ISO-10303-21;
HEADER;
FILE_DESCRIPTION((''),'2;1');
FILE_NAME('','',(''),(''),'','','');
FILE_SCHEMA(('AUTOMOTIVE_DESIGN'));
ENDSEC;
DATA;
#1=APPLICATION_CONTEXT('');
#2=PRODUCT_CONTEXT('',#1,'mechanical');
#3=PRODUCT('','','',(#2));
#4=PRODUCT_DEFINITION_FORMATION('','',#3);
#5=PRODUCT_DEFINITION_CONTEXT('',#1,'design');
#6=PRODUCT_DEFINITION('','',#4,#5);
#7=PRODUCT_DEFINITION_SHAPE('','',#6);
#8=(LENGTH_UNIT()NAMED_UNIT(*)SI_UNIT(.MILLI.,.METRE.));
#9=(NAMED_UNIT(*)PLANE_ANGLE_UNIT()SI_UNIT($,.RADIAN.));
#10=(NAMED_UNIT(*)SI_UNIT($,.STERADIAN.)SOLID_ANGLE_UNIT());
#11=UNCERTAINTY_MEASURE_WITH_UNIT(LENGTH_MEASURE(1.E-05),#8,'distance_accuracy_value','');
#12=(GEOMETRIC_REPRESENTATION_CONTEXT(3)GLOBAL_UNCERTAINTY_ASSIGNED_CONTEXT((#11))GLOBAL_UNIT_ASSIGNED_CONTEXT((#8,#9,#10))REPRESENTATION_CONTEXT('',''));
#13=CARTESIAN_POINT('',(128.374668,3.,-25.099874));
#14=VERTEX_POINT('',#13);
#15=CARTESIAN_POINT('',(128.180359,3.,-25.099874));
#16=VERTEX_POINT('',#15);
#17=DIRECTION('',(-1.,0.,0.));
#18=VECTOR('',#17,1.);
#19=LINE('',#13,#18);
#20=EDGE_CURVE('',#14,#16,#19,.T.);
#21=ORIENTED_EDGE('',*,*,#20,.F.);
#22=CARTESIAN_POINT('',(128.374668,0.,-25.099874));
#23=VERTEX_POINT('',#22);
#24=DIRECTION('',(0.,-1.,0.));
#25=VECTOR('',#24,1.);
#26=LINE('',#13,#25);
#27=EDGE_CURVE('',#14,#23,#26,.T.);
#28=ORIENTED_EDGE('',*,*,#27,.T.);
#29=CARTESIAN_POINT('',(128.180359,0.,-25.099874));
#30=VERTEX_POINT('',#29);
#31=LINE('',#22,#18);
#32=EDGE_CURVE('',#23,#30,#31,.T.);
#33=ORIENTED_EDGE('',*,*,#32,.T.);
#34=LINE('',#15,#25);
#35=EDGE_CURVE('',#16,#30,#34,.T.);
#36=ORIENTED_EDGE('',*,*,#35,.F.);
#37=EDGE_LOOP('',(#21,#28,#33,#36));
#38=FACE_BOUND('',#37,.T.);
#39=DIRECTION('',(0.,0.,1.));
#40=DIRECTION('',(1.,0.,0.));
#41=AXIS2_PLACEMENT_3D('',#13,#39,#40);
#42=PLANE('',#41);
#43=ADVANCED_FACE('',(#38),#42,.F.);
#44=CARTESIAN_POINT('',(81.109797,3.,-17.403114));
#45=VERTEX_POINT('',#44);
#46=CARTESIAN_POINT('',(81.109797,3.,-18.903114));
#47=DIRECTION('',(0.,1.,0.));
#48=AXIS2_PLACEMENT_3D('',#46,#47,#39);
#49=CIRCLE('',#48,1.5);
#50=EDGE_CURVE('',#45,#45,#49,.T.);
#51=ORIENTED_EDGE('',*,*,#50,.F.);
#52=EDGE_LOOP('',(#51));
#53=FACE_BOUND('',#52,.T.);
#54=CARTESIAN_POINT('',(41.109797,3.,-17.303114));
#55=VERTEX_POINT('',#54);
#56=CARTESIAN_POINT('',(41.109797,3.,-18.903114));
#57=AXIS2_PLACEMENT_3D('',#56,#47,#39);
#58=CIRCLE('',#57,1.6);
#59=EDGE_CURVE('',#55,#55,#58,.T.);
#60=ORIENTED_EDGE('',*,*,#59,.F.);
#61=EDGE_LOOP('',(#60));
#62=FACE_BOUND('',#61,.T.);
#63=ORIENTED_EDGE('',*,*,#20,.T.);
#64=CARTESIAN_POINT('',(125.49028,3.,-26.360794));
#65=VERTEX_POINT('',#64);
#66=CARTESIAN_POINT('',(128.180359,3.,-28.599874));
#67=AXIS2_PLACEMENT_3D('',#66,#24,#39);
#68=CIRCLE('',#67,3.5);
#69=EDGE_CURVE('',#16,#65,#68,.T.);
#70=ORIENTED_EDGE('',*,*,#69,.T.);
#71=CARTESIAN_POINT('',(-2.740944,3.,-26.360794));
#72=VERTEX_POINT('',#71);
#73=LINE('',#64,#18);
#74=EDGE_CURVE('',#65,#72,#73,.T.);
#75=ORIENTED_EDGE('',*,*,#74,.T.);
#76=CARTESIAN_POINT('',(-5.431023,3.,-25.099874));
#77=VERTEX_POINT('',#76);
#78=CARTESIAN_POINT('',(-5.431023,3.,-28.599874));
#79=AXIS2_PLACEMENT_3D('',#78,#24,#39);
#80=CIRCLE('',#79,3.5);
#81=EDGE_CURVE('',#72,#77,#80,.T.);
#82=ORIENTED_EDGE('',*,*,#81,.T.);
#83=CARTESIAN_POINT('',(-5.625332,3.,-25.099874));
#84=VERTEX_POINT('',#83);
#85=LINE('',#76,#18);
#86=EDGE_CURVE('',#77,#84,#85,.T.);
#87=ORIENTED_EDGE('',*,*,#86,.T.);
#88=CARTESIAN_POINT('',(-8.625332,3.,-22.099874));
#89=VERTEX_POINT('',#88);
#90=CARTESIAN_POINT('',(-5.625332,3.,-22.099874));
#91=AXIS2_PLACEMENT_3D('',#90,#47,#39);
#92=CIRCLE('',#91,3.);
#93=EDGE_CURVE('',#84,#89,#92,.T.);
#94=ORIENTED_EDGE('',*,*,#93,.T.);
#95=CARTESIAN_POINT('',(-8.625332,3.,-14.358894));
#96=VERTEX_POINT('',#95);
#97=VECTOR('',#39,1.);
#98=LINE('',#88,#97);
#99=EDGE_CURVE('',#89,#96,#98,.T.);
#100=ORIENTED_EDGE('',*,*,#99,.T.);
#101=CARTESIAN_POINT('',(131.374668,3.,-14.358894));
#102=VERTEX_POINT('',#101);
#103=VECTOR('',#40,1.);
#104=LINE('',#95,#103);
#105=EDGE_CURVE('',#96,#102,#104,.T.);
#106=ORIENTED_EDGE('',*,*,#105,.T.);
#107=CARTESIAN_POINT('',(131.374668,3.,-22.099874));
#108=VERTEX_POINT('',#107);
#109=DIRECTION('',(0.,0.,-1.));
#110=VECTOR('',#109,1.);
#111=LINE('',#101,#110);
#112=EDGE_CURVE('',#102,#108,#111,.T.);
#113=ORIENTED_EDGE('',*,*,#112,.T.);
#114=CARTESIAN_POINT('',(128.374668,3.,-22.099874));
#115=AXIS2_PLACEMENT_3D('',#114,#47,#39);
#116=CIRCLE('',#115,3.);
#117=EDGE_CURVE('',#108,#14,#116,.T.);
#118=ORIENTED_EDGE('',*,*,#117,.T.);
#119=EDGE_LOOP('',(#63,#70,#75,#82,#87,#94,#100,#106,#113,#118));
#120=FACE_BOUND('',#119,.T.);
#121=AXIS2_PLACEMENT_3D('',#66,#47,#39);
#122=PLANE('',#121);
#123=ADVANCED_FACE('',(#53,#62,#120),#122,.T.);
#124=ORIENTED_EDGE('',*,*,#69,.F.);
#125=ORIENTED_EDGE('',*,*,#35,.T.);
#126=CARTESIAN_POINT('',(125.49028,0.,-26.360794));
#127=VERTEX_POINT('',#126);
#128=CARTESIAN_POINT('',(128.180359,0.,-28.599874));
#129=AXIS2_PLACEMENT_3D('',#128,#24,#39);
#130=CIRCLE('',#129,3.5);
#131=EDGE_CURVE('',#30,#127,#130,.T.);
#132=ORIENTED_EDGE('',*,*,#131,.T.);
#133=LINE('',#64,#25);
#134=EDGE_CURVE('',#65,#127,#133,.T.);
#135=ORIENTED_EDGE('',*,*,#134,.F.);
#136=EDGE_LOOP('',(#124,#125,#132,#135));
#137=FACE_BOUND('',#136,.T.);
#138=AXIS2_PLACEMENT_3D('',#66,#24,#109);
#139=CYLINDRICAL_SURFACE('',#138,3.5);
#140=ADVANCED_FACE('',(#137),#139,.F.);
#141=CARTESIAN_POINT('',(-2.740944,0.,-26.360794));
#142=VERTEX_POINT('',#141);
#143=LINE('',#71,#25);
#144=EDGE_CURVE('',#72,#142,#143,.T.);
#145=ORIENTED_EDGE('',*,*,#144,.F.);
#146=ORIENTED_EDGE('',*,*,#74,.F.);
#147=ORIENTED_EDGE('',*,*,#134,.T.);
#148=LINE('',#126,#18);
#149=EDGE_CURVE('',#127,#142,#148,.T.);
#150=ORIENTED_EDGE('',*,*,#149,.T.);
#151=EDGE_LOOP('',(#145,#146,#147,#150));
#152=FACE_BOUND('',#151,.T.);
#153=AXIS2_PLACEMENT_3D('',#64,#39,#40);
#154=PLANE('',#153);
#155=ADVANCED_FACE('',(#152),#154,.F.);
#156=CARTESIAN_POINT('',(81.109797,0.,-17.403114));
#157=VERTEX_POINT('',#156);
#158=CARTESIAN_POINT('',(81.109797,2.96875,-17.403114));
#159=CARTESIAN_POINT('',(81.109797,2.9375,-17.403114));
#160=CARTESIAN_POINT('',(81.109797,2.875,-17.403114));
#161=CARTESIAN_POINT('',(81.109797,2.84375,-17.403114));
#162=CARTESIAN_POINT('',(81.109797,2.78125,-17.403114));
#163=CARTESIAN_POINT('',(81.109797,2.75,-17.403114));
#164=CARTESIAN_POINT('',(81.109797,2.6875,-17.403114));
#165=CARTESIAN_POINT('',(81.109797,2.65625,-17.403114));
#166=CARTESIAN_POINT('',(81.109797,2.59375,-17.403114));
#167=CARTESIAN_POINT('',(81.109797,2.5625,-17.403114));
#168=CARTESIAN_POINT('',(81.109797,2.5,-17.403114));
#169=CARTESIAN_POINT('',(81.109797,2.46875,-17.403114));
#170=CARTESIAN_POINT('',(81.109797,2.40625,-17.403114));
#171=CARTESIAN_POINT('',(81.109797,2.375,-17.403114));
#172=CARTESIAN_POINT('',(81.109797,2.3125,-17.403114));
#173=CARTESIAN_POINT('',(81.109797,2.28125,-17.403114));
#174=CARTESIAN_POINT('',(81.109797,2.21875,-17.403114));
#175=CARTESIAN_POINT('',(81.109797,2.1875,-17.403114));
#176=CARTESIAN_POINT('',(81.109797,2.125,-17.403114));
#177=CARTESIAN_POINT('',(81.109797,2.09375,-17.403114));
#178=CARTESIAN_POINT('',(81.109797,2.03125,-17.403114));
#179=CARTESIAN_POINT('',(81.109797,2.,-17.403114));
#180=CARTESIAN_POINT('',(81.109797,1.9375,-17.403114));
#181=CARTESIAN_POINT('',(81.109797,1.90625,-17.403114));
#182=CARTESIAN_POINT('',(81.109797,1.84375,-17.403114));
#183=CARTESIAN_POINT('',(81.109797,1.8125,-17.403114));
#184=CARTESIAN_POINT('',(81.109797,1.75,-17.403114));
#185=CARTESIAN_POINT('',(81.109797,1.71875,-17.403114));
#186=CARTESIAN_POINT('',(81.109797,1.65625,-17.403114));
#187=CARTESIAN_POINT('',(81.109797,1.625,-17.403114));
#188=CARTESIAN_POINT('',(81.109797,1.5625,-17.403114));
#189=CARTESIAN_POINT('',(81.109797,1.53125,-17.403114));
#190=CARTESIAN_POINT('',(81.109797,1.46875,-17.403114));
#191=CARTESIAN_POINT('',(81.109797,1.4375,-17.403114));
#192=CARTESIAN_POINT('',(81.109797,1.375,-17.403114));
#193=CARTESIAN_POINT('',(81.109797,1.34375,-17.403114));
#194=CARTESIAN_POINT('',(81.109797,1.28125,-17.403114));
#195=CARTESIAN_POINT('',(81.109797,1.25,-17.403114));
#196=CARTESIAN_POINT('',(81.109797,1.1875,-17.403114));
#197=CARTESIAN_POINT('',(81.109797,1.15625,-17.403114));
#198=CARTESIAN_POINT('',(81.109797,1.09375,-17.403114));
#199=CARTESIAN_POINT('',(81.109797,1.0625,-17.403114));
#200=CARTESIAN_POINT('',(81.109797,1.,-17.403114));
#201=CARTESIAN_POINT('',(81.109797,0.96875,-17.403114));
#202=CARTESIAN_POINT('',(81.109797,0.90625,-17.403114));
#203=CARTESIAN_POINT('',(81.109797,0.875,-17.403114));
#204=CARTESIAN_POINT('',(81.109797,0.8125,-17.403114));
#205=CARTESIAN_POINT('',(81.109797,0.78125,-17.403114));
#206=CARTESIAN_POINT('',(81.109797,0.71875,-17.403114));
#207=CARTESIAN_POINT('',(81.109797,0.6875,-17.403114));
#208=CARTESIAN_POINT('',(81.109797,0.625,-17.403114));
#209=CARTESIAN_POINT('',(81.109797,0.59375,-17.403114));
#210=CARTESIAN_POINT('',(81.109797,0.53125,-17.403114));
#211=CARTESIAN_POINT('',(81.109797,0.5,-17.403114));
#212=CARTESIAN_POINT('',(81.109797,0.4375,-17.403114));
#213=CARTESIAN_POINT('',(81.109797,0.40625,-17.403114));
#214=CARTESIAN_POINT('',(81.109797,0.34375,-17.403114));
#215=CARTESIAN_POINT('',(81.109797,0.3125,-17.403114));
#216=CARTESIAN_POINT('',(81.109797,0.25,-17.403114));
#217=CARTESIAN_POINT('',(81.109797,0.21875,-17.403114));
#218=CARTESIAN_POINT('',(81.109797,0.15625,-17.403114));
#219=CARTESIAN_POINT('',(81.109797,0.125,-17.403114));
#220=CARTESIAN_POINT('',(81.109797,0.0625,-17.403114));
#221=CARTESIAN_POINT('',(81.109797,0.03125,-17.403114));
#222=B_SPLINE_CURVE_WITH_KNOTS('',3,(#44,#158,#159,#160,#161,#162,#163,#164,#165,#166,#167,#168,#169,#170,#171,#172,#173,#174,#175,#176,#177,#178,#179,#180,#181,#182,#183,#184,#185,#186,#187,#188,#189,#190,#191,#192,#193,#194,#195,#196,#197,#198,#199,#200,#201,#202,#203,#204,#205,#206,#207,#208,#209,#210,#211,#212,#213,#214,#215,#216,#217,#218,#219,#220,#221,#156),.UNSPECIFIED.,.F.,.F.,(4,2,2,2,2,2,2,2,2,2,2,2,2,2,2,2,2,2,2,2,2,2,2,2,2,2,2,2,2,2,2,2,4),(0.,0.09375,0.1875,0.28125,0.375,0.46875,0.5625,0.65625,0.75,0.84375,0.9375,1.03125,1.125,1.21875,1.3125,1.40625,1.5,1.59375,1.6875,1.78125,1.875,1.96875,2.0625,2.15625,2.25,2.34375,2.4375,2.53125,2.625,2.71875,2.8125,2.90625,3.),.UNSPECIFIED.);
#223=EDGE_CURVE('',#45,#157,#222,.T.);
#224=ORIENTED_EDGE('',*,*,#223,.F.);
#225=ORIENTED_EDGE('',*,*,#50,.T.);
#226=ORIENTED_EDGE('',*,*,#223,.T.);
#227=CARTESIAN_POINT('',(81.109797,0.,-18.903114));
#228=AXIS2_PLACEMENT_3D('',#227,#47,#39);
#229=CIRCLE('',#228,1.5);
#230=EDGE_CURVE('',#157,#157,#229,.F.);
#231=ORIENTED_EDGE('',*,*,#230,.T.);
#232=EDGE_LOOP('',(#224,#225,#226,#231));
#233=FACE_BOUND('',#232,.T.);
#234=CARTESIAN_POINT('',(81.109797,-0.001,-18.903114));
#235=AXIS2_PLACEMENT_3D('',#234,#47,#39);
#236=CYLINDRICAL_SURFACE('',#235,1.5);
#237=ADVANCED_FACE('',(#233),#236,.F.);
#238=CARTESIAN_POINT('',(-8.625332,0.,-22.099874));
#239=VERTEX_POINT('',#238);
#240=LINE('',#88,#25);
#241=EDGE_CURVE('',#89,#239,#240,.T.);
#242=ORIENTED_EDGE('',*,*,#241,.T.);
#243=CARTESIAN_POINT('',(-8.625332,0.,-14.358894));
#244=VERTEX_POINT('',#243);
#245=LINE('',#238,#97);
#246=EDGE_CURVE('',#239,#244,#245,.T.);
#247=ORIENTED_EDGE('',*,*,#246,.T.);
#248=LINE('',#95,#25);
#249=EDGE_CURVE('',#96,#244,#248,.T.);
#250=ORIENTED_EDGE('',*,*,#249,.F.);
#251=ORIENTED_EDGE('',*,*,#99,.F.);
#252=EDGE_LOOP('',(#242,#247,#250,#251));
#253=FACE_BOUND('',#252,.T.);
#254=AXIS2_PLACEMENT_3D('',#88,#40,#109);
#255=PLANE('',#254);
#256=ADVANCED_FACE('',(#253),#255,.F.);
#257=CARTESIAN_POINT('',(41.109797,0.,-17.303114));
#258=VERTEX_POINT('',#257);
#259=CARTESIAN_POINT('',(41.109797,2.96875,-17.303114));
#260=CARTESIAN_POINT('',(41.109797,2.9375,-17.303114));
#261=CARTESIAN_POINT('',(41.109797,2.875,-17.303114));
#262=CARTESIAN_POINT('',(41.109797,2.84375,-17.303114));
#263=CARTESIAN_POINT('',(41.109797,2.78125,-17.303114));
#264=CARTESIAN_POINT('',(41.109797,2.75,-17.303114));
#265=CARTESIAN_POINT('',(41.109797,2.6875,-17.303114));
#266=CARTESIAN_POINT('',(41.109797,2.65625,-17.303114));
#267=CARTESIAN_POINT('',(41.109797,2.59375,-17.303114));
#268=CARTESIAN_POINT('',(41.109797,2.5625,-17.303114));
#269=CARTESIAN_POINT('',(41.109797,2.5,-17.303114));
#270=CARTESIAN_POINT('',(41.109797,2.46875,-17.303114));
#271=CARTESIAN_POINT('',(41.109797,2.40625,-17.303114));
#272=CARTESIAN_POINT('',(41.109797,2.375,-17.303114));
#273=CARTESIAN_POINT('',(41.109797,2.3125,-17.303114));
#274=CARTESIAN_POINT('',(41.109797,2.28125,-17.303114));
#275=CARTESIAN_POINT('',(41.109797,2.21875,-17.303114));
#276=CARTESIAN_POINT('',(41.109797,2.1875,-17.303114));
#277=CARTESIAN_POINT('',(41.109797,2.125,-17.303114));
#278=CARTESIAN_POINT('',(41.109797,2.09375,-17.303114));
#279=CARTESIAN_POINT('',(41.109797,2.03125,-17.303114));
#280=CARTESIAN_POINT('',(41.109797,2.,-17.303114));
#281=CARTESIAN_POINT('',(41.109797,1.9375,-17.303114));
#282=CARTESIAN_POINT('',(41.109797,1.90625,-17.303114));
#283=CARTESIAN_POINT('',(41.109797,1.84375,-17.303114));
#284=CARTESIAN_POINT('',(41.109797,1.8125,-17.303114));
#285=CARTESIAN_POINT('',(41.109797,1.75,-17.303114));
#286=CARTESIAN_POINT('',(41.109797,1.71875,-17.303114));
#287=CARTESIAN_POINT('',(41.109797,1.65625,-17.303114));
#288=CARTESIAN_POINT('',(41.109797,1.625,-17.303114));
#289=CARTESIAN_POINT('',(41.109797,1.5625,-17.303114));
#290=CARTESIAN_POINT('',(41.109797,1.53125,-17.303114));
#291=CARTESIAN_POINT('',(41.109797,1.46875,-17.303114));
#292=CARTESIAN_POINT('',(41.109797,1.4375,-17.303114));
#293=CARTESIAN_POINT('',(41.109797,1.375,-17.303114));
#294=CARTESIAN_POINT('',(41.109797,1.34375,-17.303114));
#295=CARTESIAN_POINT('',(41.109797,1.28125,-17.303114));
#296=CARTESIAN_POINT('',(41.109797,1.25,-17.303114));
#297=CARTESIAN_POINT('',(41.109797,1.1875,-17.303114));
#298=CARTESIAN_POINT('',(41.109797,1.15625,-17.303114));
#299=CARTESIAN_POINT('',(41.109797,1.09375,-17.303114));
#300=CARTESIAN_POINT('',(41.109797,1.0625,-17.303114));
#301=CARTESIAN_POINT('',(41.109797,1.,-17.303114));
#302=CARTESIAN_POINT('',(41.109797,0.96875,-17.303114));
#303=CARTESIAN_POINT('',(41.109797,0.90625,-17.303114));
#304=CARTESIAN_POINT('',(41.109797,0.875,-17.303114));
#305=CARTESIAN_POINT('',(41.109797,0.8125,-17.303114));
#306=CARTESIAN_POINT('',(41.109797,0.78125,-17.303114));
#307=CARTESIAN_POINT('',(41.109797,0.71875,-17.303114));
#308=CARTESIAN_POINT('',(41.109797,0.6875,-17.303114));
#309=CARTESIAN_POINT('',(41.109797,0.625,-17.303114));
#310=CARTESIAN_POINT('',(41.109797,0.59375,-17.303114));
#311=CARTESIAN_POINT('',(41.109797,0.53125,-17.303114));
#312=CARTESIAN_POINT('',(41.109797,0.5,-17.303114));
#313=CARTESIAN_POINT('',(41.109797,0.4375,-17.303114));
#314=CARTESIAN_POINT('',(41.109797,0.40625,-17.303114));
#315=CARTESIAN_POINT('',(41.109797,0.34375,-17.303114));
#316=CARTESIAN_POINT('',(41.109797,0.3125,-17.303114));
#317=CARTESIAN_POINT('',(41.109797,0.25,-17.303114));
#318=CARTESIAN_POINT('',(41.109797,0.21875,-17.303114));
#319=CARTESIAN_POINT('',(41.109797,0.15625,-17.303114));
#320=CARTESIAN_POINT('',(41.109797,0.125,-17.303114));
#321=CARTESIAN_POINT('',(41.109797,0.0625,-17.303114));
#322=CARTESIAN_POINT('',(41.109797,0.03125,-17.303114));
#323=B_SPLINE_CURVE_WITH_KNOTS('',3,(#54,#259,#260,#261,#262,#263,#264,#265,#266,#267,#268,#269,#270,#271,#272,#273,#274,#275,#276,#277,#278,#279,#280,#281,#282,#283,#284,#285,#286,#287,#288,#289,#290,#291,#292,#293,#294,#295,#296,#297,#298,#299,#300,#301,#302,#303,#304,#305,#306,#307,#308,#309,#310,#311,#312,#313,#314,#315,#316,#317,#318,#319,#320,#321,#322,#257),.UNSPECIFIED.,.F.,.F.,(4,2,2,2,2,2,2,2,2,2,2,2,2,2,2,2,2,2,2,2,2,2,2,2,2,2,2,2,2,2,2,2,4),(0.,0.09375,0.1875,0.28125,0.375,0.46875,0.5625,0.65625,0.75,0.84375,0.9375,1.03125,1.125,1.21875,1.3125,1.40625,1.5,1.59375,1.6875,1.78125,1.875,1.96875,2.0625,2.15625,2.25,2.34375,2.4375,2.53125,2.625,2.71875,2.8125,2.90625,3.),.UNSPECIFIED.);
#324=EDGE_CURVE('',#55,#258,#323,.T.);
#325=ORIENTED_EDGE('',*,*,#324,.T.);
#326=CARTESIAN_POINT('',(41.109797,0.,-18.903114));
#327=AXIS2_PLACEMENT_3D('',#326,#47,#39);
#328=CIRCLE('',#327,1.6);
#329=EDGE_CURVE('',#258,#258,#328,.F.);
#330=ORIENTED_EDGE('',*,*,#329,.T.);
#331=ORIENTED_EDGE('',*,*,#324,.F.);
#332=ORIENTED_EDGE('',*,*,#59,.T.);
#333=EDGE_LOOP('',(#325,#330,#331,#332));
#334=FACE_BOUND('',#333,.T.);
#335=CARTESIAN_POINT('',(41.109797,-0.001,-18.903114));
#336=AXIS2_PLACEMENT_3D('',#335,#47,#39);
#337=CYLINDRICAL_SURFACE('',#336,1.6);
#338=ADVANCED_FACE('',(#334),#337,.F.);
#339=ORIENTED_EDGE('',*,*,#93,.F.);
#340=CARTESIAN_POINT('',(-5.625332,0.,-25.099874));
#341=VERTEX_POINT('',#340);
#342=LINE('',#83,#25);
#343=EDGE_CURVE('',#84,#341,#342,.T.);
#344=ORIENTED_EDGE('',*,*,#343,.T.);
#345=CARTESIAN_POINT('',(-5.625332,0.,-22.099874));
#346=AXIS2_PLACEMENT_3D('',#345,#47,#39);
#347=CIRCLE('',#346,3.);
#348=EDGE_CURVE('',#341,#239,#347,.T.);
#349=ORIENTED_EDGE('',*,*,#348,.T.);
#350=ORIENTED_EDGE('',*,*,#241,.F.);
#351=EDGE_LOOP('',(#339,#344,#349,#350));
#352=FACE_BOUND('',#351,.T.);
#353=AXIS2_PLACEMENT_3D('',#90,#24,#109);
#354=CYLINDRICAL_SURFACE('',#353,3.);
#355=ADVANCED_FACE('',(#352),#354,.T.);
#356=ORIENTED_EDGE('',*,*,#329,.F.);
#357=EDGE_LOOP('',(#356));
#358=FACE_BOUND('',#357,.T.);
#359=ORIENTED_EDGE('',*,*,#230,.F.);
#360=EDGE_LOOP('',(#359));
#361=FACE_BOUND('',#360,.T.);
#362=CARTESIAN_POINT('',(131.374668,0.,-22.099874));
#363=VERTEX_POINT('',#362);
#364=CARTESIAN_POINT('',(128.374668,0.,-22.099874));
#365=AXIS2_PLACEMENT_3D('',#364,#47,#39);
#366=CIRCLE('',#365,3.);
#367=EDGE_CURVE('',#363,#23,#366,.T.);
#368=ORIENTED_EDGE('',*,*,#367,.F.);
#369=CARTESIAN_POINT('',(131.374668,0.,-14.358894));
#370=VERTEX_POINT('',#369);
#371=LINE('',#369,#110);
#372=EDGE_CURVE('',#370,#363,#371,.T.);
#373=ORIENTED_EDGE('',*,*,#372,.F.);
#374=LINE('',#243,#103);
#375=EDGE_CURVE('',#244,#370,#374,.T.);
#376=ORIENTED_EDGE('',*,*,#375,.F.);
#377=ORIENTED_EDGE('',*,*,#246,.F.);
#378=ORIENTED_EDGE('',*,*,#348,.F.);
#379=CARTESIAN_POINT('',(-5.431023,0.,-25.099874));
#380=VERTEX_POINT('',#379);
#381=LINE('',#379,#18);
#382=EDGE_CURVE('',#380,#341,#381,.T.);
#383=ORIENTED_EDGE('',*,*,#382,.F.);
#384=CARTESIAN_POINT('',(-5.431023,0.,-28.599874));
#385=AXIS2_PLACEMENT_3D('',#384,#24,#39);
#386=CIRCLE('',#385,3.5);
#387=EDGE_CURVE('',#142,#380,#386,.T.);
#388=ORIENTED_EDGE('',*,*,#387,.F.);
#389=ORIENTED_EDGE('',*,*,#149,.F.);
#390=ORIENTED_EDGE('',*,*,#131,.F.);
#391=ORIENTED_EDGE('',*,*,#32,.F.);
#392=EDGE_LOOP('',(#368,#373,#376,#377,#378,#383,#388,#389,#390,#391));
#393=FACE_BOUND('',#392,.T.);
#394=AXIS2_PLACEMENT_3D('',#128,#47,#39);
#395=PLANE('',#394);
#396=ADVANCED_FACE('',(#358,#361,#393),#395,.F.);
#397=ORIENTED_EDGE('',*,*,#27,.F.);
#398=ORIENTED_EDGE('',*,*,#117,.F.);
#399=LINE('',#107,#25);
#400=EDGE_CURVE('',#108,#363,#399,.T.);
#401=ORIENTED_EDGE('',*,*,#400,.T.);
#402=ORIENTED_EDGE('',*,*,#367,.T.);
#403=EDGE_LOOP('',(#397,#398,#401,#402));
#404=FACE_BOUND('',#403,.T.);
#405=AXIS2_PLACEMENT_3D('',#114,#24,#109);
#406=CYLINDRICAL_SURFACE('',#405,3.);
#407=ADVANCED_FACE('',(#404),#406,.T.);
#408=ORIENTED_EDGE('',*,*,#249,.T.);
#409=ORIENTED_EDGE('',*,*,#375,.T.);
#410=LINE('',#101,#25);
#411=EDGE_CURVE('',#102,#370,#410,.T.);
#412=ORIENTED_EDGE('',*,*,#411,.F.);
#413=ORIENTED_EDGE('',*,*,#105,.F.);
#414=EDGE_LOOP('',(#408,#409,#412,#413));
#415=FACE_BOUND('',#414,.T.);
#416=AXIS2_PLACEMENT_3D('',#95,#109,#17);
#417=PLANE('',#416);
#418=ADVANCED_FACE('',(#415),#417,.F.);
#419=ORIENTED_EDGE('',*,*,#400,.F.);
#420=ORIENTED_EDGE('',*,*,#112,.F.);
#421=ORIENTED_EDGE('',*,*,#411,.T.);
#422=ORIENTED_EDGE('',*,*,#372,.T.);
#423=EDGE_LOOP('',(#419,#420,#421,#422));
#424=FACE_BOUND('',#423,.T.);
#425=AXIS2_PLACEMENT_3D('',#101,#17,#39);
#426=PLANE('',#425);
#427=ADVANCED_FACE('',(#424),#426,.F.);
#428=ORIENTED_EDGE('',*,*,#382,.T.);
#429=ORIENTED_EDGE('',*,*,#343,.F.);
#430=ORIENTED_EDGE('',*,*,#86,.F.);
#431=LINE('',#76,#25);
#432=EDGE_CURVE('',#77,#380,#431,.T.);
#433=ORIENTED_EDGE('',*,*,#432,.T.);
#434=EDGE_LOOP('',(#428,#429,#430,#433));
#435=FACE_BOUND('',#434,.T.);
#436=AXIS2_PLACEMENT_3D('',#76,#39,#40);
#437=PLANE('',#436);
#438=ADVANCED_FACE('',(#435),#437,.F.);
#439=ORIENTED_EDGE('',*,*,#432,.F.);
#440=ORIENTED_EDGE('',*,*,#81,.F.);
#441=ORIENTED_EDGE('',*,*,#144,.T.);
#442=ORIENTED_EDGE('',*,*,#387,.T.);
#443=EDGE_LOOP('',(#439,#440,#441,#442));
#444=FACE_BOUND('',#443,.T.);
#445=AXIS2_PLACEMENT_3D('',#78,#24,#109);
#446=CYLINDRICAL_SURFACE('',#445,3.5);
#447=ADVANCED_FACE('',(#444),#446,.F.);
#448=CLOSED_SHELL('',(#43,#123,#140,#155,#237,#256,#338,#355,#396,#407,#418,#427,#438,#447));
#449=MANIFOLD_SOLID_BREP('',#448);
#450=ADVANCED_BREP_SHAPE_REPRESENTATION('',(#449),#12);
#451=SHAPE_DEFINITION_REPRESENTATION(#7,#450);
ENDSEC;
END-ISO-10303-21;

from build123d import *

# Parameters (mm, degrees)
BOSS_EXTRUDE1_DEPTH = 3
CUT_EXTRUDE1_REACH  = 136.027
SKETCH4_R           = 1.5


with BuildPart() as part:
    # Sketch3 → Boss-Extrude1 (new body)
    with BuildSketch(Plane(origin=(0, 0, 0), x_dir=(1, 0, 0), z_dir=(0, 1, 0))):
        with BuildLine():
            Line((125.49028015, 26.360794257), (-2.74094445, 26.360794257))
            ThreePointArc((-2.74094445, 26.360794257), (-3.945556452, 25.430743303), (-5.431022837, 25.099874039))
            Line((-5.431022837, 25.099874039), (-5.62533215, 25.099874039))
            ThreePointArc((-5.62533215, 25.099874039), (-7.746652493, 24.221194382), (-8.62533215, 22.099874039))
            Line((-8.62533215, 22.099874039), (-8.62533215, 14.358894177))
            Line((-8.62533215, 14.358894177), (131.37466785, 14.358894177))
            Line((131.37466785, 14.358894177), (131.37466785, 22.099874039))
            ThreePointArc((131.37466785, 22.099874039), (130.495988194, 24.221194382), (128.37466785, 25.099874039))
            Line((128.37466785, 25.099874039), (128.180358538, 25.099874039))
            ThreePointArc((128.180358538, 25.099874039), (126.694892152, 25.430743303), (125.49028015, 26.360794257))
        make_face()
    extrude(amount=BOSS_EXTRUDE1_DEPTH)

    # Sketch4 → Cut-Extrude1 (cut, up to next)
    with BuildSketch(Plane(origin=(0, 3, 0), x_dir=(1, 0, 0), z_dir=(0, 1, 0)), mode=Mode.PRIVATE) as cut_extrude1_sk1:
        with Locations(Location((81.109797099, 18.903114067, 0), (0, 0, 270))):
            Circle(SKETCH4_R)
    cut_extrude1_tool1 = extrude(cut_extrude1_sk1.sketch, amount=-CUT_EXTRUDE1_REACH, mode=Mode.PRIVATE) & part.part
    # Sketch4 → Cut-Extrude1 (cut, up to next)
    with BuildSketch(Plane(origin=(0, 3, 0), x_dir=(1, 0, 0), z_dir=(0, 1, 0)), mode=Mode.PRIVATE) as cut_extrude1_sk2:
        with BuildLine():
            ThreePointArc((41.109797099, 20.503114067), (39.509797099, 18.903114067), (41.109797099, 17.303114067))
            ThreePointArc((41.109797099, 17.303114067), (42.709797099, 18.903114067), (41.109797099, 20.503114067))
        make_face()
    cut_extrude1_tool2 = extrude(cut_extrude1_sk2.sketch, amount=-CUT_EXTRUDE1_REACH, mode=Mode.PRIVATE) & part.part
    add(cut_extrude1_tool1.solids().sort_by_distance((81.109797, 3, -18.903114))[0], mode=Mode.SUBTRACT)
    add(cut_extrude1_tool2.solids().sort_by_distance((41.109797, 3, -18.903114))[0], mode=Mode.SUBTRACT)


solid = part.part
